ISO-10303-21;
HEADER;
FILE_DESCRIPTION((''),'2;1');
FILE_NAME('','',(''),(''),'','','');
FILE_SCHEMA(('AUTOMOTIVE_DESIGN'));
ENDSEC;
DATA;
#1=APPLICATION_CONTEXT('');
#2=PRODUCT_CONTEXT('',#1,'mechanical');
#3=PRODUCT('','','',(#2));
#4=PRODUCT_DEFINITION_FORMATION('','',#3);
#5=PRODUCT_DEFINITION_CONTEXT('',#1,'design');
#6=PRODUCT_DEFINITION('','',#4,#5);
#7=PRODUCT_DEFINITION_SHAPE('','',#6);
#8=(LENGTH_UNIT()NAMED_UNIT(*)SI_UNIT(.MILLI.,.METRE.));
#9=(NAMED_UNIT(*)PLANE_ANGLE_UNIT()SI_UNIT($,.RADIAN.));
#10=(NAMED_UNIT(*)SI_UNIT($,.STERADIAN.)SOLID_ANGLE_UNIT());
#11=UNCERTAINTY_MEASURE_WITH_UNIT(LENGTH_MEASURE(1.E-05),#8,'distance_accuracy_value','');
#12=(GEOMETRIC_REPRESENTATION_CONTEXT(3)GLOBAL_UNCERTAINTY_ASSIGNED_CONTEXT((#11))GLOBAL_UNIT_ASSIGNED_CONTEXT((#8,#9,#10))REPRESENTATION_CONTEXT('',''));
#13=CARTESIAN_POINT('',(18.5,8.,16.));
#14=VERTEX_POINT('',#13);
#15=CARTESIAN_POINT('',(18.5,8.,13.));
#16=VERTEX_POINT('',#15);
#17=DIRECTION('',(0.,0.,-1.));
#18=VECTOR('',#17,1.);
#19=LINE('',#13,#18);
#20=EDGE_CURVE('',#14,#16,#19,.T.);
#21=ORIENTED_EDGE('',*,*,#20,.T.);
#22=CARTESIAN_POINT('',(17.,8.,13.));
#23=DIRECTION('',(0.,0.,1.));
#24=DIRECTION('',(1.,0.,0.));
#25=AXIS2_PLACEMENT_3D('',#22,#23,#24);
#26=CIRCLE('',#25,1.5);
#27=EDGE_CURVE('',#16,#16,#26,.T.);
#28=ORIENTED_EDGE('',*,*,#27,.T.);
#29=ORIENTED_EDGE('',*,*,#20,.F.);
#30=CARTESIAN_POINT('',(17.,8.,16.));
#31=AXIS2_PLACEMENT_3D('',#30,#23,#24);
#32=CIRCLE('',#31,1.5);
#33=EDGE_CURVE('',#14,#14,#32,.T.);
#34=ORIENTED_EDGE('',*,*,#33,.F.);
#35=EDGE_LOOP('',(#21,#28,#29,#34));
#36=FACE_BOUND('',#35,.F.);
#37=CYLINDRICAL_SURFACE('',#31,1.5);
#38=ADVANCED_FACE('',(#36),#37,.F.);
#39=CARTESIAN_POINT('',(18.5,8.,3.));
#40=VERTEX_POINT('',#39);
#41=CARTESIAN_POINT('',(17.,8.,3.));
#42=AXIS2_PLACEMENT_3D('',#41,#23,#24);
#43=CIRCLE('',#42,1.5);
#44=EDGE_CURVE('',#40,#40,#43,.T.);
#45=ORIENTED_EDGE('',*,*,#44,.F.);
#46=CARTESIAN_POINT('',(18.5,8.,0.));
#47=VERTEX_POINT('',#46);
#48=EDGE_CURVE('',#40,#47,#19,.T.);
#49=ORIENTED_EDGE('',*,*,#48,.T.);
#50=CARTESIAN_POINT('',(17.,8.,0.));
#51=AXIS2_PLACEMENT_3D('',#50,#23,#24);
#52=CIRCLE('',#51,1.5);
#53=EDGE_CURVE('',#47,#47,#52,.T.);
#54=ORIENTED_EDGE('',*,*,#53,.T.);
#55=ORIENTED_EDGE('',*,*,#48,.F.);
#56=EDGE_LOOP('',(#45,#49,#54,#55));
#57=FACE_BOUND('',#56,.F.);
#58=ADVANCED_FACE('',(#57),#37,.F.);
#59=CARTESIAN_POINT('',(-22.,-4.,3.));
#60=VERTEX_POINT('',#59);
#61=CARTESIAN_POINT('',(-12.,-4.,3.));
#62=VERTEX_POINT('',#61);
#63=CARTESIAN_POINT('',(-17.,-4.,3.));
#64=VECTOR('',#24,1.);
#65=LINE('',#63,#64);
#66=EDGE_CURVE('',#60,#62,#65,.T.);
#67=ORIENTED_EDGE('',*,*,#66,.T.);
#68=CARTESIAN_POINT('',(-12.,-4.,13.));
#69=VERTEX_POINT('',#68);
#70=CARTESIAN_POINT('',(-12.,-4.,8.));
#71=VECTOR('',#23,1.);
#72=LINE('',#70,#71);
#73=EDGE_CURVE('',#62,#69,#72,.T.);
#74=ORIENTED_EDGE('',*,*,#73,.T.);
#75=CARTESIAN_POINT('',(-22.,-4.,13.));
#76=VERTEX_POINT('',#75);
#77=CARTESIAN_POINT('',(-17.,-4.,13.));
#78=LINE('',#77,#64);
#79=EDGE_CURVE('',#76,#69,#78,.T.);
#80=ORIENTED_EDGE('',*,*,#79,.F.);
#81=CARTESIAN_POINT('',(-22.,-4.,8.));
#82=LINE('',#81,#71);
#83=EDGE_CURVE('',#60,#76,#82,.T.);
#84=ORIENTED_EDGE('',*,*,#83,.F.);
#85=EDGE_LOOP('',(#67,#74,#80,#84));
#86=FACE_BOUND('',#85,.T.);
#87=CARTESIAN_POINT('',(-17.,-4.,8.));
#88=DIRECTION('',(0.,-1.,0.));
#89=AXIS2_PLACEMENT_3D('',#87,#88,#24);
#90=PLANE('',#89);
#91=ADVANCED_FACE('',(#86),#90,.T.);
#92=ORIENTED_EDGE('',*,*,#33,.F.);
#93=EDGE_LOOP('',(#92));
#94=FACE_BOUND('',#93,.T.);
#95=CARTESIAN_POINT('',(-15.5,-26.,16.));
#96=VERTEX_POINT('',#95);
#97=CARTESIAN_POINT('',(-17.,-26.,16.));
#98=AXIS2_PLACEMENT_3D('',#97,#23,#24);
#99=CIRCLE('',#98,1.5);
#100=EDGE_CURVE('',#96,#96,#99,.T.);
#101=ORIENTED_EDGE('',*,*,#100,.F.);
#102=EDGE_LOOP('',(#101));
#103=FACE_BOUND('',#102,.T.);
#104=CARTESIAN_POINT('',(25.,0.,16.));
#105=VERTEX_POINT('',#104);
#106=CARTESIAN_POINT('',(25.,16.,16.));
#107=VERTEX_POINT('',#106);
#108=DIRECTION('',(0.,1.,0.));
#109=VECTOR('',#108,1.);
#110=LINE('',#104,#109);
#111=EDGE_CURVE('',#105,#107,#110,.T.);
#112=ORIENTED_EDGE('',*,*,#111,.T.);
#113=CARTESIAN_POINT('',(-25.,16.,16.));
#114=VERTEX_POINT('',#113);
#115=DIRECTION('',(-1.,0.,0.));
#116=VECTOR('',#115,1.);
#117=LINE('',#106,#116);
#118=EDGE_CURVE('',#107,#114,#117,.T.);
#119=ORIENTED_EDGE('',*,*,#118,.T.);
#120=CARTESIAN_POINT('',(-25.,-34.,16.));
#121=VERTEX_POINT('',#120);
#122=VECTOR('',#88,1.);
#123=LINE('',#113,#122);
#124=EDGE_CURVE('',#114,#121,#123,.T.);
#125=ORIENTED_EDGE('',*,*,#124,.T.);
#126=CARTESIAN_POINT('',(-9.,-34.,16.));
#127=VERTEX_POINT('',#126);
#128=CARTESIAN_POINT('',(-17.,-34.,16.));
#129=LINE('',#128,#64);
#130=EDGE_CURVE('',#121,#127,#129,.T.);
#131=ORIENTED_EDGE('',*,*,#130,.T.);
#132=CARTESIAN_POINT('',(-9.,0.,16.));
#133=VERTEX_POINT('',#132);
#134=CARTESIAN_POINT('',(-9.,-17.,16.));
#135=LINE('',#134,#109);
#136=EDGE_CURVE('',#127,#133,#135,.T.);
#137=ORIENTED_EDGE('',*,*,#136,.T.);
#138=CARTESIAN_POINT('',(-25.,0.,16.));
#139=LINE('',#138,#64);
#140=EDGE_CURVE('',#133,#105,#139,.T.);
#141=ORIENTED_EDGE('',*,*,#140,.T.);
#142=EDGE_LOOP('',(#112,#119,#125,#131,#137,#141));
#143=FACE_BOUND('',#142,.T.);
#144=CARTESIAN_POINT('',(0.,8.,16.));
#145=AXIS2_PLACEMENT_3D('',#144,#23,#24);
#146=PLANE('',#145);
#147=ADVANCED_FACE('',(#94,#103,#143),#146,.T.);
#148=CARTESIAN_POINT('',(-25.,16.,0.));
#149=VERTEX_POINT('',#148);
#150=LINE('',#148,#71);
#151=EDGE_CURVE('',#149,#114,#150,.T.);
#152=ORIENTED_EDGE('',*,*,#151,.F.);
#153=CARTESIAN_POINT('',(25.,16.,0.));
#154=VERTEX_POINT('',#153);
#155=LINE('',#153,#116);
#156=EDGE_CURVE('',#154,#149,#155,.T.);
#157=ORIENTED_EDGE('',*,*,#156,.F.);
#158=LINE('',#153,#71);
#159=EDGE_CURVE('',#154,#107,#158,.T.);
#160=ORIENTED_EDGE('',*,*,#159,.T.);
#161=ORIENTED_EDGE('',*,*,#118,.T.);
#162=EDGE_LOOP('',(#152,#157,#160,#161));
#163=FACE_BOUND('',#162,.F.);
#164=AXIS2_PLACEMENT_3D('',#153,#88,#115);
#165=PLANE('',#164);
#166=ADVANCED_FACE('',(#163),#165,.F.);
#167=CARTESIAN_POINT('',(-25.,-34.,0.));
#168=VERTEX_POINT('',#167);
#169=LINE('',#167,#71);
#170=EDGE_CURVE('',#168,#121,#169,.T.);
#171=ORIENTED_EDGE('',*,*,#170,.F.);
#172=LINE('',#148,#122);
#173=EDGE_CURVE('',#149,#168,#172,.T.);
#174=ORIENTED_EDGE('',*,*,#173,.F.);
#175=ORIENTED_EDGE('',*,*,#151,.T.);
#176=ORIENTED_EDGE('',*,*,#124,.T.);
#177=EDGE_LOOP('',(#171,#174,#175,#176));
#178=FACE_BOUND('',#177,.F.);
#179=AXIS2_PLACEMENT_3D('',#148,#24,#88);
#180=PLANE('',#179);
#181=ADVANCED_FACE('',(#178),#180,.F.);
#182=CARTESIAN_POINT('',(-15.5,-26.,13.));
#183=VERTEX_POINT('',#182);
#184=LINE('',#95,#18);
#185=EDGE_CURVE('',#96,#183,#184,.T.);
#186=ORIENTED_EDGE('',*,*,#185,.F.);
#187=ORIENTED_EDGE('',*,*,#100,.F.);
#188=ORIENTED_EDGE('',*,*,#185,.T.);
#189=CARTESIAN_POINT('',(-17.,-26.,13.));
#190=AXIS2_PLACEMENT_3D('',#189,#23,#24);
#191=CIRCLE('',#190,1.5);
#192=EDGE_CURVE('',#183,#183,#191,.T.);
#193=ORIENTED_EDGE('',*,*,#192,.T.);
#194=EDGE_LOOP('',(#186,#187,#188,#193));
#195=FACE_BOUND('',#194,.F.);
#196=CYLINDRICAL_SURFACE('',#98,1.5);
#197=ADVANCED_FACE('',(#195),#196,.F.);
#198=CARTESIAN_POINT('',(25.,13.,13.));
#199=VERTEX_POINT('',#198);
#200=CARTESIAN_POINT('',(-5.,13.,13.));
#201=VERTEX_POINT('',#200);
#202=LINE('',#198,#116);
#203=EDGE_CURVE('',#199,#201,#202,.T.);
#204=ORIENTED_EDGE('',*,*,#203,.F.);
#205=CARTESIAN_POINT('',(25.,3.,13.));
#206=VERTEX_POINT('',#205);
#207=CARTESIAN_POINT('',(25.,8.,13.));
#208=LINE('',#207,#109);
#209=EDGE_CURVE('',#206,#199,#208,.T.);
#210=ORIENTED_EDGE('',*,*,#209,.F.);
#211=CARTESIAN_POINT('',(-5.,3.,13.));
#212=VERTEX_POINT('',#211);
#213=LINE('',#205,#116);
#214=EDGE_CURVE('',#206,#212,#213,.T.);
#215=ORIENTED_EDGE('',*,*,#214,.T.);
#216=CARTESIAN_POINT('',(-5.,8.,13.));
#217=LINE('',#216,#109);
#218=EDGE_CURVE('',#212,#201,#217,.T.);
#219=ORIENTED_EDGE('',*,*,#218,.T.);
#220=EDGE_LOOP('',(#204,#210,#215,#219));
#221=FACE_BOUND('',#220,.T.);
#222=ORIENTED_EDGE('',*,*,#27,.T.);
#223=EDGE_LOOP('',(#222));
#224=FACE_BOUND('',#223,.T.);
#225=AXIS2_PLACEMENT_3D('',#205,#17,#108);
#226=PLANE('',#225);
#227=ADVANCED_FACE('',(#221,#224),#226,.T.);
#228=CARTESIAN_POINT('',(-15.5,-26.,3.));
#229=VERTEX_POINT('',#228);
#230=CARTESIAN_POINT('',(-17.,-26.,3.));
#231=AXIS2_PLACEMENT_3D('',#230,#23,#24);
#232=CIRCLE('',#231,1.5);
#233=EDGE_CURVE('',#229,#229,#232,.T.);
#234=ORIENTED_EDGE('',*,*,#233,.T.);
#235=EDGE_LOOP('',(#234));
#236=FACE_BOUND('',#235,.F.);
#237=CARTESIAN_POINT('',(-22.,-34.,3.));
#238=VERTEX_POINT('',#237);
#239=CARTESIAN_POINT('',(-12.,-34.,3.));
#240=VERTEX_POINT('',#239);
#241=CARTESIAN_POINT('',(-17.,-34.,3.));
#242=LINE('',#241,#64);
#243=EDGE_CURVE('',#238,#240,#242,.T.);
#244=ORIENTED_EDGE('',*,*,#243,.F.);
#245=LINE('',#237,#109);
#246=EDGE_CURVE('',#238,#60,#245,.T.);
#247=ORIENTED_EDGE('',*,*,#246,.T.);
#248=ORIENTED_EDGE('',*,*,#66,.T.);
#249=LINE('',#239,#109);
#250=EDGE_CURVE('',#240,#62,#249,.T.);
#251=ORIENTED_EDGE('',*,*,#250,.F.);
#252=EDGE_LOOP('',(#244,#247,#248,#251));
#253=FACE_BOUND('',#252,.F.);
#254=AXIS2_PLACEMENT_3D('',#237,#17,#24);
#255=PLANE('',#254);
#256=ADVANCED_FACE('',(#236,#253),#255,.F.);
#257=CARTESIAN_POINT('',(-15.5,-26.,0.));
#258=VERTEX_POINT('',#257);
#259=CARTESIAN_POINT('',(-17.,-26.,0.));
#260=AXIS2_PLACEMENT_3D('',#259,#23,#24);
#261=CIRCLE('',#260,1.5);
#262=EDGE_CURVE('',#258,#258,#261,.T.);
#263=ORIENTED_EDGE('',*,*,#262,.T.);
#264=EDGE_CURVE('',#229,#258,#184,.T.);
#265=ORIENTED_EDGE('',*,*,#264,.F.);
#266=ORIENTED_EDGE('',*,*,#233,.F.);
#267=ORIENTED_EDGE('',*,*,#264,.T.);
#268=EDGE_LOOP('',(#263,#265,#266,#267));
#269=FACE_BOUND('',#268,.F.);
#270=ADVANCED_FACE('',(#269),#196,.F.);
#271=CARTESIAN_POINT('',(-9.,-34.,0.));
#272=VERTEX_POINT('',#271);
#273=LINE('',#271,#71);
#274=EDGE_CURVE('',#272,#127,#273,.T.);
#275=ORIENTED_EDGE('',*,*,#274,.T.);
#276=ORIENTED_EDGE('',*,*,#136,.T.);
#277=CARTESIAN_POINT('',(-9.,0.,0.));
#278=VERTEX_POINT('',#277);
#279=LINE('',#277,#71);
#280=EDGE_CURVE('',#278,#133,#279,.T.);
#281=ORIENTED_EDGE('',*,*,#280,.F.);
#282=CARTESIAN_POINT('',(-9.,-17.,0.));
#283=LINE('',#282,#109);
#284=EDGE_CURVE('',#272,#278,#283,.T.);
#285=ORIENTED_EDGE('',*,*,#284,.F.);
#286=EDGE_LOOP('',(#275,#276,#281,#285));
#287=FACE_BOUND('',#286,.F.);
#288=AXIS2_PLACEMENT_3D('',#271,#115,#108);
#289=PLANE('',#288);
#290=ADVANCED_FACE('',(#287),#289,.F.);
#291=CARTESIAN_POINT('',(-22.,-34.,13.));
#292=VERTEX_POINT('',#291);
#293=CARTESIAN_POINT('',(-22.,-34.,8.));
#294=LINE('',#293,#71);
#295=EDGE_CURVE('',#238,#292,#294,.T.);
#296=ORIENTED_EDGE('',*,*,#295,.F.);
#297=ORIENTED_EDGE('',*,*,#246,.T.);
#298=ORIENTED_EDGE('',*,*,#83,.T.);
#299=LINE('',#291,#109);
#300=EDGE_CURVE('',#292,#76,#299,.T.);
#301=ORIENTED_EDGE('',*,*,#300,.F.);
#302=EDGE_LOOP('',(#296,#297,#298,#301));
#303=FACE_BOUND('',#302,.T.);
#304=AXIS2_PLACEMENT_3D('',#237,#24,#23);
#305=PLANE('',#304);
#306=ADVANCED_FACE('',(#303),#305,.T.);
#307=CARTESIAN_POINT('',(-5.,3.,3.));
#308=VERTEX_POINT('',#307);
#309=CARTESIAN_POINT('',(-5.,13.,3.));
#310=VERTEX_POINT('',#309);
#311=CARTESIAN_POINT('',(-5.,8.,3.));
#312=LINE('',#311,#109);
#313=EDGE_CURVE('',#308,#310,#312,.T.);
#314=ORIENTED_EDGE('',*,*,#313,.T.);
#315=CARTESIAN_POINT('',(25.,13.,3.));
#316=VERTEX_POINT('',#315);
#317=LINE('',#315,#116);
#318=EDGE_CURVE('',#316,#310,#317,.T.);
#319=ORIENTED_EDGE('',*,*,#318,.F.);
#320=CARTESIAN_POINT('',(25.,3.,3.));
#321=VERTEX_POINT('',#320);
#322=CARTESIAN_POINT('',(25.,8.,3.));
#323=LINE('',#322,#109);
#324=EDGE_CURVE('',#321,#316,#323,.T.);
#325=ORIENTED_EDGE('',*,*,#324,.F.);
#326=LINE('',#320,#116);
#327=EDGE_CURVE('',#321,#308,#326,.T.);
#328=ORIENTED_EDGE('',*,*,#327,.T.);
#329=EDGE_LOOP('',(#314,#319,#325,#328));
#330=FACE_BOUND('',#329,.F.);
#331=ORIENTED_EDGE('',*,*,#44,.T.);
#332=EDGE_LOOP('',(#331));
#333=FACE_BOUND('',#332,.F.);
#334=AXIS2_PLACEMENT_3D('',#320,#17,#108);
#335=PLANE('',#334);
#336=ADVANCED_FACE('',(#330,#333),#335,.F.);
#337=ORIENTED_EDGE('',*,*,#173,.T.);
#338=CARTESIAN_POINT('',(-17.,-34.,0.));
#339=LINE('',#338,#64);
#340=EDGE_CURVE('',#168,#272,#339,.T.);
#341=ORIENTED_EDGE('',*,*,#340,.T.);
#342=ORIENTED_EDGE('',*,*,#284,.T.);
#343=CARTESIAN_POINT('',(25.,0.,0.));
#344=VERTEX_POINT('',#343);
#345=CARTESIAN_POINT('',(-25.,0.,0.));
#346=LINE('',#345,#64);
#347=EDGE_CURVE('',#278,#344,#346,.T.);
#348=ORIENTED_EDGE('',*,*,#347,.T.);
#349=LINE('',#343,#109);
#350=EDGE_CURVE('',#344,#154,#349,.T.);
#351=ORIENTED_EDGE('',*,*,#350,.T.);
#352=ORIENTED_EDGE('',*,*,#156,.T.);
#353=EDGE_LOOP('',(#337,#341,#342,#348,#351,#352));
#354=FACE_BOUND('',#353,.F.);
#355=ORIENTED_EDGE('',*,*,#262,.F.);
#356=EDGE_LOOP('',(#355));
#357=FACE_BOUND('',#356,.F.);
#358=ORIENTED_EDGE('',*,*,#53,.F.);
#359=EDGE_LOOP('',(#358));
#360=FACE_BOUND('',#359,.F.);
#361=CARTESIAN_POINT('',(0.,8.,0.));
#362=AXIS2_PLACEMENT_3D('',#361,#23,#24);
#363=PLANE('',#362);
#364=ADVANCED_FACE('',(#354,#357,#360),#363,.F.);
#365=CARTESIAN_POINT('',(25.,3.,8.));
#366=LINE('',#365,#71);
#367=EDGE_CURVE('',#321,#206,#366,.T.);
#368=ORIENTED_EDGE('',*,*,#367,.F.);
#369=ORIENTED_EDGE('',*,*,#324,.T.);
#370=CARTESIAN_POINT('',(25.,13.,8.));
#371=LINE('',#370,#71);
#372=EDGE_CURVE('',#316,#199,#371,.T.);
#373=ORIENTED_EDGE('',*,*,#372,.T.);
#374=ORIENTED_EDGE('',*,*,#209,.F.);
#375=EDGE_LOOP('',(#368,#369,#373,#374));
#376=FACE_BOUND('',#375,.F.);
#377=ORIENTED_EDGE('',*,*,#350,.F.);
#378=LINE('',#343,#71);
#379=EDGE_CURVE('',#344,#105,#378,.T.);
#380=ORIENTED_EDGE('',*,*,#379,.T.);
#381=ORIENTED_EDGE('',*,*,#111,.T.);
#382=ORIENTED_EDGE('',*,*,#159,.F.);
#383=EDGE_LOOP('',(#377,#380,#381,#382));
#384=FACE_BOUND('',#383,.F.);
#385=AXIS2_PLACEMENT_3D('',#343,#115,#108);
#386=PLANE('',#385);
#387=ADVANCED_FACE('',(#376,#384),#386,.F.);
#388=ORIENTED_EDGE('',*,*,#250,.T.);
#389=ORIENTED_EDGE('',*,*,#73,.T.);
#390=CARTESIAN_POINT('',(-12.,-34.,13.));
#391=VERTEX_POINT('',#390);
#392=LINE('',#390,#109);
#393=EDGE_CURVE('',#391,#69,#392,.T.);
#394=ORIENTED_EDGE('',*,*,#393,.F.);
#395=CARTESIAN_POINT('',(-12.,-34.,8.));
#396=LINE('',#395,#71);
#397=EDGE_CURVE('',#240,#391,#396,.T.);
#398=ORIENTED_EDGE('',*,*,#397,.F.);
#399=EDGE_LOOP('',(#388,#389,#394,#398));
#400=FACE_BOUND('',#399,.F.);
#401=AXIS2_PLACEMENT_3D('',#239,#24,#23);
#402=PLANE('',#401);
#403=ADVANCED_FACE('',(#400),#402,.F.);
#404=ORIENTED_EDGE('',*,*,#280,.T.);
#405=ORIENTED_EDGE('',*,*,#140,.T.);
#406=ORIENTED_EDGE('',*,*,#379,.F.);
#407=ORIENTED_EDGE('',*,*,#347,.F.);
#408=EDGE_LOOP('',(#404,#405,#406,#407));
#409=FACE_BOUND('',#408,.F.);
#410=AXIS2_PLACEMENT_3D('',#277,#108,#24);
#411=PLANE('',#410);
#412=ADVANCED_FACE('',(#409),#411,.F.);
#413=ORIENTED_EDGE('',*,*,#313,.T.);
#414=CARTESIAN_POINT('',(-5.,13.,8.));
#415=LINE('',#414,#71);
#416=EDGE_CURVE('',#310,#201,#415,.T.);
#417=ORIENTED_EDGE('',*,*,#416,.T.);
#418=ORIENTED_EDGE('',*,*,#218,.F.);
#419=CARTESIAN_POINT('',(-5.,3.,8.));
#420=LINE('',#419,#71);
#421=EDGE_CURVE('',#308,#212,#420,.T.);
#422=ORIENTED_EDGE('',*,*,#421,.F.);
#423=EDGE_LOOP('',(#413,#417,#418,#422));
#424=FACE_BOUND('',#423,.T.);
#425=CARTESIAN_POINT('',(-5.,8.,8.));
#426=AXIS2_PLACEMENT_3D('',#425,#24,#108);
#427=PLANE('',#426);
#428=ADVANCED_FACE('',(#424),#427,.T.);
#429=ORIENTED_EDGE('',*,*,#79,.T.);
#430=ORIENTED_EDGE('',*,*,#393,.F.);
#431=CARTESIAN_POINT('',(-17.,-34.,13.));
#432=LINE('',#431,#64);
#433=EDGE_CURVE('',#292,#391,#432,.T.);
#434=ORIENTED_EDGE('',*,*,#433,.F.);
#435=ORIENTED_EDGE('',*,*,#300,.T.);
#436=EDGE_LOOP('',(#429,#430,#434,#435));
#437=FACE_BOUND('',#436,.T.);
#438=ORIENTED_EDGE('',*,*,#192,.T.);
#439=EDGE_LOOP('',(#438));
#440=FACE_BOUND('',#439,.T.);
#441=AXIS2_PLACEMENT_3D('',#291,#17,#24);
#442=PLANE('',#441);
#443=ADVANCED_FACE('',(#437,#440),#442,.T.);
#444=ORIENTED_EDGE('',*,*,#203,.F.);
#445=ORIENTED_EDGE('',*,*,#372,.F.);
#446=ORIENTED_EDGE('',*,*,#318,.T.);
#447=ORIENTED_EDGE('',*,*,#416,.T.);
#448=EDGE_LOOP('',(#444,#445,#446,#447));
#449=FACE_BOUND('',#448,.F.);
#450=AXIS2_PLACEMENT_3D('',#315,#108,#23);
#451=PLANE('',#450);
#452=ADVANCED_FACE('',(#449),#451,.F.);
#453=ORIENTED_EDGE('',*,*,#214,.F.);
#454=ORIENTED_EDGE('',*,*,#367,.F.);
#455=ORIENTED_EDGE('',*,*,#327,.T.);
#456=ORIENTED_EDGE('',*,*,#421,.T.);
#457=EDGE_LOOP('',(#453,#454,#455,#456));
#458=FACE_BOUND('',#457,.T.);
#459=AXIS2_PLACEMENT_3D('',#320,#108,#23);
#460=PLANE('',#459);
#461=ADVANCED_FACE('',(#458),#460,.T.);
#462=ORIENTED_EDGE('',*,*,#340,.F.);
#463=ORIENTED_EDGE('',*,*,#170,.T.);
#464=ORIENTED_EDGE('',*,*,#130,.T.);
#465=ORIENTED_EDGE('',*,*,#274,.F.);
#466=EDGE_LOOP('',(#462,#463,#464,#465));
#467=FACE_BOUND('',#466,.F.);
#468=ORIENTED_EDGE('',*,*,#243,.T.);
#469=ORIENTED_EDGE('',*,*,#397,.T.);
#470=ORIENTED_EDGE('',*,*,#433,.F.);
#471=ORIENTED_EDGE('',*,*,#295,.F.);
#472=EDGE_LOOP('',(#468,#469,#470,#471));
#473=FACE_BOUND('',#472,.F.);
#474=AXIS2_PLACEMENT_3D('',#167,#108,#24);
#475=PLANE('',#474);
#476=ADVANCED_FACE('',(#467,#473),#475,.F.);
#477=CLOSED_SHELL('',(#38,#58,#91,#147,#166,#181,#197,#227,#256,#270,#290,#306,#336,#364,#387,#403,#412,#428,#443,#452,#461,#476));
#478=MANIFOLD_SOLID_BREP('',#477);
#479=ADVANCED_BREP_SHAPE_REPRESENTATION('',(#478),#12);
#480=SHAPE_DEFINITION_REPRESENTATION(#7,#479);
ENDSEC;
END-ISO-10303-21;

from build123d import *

# Parameters (mm, degrees)
F0_W     = 16
F0_H     = 34
F1_DEPTH = 16
F2_W     = 10
F2_H     = 10
F3_DEPTH = 30
F4_W     = 10
F4_H     = 10
F5_DEPTH = 30
F6_R     = 1.5
F7_DEPTH = 16


with BuildPart() as f1:
    # F0 (on Top) → F1 (new body)
    with BuildSketch(Plane.XY):
        Polygon((25, 16), (-25, 16), (-25, 0), (-9, 0), (25, 0), align=None)
        with Locations((-17, -17)):
            Rectangle(F0_W, F0_H)
    extrude(amount=F1_DEPTH)

    # F2 (on face) → F3 (cut)
    with BuildSketch(Plane.YZ.offset(25)):
        with Locations((8, 8)):
            Rectangle(F2_W, F2_H)
    extrude(amount=-F3_DEPTH, mode=Mode.SUBTRACT)

    # F4 (on face) → F5 (cut)
    with BuildSketch(Plane.XZ.offset(34)):
        with Locations((-17, 8)):
            Rectangle(F4_W, F4_H)
    extrude(amount=-F5_DEPTH, mode=Mode.SUBTRACT)

    # F6 (on face) → F7 (cut)
    with BuildSketch(Plane.XY.offset(16)):
        with Locations((-17, -26)):
            Circle(F6_R)
        with Locations((17, 8)):
            Circle(F6_R)
    extrude(amount=-F7_DEPTH, mode=Mode.SUBTRACT)


solid = f1.part
